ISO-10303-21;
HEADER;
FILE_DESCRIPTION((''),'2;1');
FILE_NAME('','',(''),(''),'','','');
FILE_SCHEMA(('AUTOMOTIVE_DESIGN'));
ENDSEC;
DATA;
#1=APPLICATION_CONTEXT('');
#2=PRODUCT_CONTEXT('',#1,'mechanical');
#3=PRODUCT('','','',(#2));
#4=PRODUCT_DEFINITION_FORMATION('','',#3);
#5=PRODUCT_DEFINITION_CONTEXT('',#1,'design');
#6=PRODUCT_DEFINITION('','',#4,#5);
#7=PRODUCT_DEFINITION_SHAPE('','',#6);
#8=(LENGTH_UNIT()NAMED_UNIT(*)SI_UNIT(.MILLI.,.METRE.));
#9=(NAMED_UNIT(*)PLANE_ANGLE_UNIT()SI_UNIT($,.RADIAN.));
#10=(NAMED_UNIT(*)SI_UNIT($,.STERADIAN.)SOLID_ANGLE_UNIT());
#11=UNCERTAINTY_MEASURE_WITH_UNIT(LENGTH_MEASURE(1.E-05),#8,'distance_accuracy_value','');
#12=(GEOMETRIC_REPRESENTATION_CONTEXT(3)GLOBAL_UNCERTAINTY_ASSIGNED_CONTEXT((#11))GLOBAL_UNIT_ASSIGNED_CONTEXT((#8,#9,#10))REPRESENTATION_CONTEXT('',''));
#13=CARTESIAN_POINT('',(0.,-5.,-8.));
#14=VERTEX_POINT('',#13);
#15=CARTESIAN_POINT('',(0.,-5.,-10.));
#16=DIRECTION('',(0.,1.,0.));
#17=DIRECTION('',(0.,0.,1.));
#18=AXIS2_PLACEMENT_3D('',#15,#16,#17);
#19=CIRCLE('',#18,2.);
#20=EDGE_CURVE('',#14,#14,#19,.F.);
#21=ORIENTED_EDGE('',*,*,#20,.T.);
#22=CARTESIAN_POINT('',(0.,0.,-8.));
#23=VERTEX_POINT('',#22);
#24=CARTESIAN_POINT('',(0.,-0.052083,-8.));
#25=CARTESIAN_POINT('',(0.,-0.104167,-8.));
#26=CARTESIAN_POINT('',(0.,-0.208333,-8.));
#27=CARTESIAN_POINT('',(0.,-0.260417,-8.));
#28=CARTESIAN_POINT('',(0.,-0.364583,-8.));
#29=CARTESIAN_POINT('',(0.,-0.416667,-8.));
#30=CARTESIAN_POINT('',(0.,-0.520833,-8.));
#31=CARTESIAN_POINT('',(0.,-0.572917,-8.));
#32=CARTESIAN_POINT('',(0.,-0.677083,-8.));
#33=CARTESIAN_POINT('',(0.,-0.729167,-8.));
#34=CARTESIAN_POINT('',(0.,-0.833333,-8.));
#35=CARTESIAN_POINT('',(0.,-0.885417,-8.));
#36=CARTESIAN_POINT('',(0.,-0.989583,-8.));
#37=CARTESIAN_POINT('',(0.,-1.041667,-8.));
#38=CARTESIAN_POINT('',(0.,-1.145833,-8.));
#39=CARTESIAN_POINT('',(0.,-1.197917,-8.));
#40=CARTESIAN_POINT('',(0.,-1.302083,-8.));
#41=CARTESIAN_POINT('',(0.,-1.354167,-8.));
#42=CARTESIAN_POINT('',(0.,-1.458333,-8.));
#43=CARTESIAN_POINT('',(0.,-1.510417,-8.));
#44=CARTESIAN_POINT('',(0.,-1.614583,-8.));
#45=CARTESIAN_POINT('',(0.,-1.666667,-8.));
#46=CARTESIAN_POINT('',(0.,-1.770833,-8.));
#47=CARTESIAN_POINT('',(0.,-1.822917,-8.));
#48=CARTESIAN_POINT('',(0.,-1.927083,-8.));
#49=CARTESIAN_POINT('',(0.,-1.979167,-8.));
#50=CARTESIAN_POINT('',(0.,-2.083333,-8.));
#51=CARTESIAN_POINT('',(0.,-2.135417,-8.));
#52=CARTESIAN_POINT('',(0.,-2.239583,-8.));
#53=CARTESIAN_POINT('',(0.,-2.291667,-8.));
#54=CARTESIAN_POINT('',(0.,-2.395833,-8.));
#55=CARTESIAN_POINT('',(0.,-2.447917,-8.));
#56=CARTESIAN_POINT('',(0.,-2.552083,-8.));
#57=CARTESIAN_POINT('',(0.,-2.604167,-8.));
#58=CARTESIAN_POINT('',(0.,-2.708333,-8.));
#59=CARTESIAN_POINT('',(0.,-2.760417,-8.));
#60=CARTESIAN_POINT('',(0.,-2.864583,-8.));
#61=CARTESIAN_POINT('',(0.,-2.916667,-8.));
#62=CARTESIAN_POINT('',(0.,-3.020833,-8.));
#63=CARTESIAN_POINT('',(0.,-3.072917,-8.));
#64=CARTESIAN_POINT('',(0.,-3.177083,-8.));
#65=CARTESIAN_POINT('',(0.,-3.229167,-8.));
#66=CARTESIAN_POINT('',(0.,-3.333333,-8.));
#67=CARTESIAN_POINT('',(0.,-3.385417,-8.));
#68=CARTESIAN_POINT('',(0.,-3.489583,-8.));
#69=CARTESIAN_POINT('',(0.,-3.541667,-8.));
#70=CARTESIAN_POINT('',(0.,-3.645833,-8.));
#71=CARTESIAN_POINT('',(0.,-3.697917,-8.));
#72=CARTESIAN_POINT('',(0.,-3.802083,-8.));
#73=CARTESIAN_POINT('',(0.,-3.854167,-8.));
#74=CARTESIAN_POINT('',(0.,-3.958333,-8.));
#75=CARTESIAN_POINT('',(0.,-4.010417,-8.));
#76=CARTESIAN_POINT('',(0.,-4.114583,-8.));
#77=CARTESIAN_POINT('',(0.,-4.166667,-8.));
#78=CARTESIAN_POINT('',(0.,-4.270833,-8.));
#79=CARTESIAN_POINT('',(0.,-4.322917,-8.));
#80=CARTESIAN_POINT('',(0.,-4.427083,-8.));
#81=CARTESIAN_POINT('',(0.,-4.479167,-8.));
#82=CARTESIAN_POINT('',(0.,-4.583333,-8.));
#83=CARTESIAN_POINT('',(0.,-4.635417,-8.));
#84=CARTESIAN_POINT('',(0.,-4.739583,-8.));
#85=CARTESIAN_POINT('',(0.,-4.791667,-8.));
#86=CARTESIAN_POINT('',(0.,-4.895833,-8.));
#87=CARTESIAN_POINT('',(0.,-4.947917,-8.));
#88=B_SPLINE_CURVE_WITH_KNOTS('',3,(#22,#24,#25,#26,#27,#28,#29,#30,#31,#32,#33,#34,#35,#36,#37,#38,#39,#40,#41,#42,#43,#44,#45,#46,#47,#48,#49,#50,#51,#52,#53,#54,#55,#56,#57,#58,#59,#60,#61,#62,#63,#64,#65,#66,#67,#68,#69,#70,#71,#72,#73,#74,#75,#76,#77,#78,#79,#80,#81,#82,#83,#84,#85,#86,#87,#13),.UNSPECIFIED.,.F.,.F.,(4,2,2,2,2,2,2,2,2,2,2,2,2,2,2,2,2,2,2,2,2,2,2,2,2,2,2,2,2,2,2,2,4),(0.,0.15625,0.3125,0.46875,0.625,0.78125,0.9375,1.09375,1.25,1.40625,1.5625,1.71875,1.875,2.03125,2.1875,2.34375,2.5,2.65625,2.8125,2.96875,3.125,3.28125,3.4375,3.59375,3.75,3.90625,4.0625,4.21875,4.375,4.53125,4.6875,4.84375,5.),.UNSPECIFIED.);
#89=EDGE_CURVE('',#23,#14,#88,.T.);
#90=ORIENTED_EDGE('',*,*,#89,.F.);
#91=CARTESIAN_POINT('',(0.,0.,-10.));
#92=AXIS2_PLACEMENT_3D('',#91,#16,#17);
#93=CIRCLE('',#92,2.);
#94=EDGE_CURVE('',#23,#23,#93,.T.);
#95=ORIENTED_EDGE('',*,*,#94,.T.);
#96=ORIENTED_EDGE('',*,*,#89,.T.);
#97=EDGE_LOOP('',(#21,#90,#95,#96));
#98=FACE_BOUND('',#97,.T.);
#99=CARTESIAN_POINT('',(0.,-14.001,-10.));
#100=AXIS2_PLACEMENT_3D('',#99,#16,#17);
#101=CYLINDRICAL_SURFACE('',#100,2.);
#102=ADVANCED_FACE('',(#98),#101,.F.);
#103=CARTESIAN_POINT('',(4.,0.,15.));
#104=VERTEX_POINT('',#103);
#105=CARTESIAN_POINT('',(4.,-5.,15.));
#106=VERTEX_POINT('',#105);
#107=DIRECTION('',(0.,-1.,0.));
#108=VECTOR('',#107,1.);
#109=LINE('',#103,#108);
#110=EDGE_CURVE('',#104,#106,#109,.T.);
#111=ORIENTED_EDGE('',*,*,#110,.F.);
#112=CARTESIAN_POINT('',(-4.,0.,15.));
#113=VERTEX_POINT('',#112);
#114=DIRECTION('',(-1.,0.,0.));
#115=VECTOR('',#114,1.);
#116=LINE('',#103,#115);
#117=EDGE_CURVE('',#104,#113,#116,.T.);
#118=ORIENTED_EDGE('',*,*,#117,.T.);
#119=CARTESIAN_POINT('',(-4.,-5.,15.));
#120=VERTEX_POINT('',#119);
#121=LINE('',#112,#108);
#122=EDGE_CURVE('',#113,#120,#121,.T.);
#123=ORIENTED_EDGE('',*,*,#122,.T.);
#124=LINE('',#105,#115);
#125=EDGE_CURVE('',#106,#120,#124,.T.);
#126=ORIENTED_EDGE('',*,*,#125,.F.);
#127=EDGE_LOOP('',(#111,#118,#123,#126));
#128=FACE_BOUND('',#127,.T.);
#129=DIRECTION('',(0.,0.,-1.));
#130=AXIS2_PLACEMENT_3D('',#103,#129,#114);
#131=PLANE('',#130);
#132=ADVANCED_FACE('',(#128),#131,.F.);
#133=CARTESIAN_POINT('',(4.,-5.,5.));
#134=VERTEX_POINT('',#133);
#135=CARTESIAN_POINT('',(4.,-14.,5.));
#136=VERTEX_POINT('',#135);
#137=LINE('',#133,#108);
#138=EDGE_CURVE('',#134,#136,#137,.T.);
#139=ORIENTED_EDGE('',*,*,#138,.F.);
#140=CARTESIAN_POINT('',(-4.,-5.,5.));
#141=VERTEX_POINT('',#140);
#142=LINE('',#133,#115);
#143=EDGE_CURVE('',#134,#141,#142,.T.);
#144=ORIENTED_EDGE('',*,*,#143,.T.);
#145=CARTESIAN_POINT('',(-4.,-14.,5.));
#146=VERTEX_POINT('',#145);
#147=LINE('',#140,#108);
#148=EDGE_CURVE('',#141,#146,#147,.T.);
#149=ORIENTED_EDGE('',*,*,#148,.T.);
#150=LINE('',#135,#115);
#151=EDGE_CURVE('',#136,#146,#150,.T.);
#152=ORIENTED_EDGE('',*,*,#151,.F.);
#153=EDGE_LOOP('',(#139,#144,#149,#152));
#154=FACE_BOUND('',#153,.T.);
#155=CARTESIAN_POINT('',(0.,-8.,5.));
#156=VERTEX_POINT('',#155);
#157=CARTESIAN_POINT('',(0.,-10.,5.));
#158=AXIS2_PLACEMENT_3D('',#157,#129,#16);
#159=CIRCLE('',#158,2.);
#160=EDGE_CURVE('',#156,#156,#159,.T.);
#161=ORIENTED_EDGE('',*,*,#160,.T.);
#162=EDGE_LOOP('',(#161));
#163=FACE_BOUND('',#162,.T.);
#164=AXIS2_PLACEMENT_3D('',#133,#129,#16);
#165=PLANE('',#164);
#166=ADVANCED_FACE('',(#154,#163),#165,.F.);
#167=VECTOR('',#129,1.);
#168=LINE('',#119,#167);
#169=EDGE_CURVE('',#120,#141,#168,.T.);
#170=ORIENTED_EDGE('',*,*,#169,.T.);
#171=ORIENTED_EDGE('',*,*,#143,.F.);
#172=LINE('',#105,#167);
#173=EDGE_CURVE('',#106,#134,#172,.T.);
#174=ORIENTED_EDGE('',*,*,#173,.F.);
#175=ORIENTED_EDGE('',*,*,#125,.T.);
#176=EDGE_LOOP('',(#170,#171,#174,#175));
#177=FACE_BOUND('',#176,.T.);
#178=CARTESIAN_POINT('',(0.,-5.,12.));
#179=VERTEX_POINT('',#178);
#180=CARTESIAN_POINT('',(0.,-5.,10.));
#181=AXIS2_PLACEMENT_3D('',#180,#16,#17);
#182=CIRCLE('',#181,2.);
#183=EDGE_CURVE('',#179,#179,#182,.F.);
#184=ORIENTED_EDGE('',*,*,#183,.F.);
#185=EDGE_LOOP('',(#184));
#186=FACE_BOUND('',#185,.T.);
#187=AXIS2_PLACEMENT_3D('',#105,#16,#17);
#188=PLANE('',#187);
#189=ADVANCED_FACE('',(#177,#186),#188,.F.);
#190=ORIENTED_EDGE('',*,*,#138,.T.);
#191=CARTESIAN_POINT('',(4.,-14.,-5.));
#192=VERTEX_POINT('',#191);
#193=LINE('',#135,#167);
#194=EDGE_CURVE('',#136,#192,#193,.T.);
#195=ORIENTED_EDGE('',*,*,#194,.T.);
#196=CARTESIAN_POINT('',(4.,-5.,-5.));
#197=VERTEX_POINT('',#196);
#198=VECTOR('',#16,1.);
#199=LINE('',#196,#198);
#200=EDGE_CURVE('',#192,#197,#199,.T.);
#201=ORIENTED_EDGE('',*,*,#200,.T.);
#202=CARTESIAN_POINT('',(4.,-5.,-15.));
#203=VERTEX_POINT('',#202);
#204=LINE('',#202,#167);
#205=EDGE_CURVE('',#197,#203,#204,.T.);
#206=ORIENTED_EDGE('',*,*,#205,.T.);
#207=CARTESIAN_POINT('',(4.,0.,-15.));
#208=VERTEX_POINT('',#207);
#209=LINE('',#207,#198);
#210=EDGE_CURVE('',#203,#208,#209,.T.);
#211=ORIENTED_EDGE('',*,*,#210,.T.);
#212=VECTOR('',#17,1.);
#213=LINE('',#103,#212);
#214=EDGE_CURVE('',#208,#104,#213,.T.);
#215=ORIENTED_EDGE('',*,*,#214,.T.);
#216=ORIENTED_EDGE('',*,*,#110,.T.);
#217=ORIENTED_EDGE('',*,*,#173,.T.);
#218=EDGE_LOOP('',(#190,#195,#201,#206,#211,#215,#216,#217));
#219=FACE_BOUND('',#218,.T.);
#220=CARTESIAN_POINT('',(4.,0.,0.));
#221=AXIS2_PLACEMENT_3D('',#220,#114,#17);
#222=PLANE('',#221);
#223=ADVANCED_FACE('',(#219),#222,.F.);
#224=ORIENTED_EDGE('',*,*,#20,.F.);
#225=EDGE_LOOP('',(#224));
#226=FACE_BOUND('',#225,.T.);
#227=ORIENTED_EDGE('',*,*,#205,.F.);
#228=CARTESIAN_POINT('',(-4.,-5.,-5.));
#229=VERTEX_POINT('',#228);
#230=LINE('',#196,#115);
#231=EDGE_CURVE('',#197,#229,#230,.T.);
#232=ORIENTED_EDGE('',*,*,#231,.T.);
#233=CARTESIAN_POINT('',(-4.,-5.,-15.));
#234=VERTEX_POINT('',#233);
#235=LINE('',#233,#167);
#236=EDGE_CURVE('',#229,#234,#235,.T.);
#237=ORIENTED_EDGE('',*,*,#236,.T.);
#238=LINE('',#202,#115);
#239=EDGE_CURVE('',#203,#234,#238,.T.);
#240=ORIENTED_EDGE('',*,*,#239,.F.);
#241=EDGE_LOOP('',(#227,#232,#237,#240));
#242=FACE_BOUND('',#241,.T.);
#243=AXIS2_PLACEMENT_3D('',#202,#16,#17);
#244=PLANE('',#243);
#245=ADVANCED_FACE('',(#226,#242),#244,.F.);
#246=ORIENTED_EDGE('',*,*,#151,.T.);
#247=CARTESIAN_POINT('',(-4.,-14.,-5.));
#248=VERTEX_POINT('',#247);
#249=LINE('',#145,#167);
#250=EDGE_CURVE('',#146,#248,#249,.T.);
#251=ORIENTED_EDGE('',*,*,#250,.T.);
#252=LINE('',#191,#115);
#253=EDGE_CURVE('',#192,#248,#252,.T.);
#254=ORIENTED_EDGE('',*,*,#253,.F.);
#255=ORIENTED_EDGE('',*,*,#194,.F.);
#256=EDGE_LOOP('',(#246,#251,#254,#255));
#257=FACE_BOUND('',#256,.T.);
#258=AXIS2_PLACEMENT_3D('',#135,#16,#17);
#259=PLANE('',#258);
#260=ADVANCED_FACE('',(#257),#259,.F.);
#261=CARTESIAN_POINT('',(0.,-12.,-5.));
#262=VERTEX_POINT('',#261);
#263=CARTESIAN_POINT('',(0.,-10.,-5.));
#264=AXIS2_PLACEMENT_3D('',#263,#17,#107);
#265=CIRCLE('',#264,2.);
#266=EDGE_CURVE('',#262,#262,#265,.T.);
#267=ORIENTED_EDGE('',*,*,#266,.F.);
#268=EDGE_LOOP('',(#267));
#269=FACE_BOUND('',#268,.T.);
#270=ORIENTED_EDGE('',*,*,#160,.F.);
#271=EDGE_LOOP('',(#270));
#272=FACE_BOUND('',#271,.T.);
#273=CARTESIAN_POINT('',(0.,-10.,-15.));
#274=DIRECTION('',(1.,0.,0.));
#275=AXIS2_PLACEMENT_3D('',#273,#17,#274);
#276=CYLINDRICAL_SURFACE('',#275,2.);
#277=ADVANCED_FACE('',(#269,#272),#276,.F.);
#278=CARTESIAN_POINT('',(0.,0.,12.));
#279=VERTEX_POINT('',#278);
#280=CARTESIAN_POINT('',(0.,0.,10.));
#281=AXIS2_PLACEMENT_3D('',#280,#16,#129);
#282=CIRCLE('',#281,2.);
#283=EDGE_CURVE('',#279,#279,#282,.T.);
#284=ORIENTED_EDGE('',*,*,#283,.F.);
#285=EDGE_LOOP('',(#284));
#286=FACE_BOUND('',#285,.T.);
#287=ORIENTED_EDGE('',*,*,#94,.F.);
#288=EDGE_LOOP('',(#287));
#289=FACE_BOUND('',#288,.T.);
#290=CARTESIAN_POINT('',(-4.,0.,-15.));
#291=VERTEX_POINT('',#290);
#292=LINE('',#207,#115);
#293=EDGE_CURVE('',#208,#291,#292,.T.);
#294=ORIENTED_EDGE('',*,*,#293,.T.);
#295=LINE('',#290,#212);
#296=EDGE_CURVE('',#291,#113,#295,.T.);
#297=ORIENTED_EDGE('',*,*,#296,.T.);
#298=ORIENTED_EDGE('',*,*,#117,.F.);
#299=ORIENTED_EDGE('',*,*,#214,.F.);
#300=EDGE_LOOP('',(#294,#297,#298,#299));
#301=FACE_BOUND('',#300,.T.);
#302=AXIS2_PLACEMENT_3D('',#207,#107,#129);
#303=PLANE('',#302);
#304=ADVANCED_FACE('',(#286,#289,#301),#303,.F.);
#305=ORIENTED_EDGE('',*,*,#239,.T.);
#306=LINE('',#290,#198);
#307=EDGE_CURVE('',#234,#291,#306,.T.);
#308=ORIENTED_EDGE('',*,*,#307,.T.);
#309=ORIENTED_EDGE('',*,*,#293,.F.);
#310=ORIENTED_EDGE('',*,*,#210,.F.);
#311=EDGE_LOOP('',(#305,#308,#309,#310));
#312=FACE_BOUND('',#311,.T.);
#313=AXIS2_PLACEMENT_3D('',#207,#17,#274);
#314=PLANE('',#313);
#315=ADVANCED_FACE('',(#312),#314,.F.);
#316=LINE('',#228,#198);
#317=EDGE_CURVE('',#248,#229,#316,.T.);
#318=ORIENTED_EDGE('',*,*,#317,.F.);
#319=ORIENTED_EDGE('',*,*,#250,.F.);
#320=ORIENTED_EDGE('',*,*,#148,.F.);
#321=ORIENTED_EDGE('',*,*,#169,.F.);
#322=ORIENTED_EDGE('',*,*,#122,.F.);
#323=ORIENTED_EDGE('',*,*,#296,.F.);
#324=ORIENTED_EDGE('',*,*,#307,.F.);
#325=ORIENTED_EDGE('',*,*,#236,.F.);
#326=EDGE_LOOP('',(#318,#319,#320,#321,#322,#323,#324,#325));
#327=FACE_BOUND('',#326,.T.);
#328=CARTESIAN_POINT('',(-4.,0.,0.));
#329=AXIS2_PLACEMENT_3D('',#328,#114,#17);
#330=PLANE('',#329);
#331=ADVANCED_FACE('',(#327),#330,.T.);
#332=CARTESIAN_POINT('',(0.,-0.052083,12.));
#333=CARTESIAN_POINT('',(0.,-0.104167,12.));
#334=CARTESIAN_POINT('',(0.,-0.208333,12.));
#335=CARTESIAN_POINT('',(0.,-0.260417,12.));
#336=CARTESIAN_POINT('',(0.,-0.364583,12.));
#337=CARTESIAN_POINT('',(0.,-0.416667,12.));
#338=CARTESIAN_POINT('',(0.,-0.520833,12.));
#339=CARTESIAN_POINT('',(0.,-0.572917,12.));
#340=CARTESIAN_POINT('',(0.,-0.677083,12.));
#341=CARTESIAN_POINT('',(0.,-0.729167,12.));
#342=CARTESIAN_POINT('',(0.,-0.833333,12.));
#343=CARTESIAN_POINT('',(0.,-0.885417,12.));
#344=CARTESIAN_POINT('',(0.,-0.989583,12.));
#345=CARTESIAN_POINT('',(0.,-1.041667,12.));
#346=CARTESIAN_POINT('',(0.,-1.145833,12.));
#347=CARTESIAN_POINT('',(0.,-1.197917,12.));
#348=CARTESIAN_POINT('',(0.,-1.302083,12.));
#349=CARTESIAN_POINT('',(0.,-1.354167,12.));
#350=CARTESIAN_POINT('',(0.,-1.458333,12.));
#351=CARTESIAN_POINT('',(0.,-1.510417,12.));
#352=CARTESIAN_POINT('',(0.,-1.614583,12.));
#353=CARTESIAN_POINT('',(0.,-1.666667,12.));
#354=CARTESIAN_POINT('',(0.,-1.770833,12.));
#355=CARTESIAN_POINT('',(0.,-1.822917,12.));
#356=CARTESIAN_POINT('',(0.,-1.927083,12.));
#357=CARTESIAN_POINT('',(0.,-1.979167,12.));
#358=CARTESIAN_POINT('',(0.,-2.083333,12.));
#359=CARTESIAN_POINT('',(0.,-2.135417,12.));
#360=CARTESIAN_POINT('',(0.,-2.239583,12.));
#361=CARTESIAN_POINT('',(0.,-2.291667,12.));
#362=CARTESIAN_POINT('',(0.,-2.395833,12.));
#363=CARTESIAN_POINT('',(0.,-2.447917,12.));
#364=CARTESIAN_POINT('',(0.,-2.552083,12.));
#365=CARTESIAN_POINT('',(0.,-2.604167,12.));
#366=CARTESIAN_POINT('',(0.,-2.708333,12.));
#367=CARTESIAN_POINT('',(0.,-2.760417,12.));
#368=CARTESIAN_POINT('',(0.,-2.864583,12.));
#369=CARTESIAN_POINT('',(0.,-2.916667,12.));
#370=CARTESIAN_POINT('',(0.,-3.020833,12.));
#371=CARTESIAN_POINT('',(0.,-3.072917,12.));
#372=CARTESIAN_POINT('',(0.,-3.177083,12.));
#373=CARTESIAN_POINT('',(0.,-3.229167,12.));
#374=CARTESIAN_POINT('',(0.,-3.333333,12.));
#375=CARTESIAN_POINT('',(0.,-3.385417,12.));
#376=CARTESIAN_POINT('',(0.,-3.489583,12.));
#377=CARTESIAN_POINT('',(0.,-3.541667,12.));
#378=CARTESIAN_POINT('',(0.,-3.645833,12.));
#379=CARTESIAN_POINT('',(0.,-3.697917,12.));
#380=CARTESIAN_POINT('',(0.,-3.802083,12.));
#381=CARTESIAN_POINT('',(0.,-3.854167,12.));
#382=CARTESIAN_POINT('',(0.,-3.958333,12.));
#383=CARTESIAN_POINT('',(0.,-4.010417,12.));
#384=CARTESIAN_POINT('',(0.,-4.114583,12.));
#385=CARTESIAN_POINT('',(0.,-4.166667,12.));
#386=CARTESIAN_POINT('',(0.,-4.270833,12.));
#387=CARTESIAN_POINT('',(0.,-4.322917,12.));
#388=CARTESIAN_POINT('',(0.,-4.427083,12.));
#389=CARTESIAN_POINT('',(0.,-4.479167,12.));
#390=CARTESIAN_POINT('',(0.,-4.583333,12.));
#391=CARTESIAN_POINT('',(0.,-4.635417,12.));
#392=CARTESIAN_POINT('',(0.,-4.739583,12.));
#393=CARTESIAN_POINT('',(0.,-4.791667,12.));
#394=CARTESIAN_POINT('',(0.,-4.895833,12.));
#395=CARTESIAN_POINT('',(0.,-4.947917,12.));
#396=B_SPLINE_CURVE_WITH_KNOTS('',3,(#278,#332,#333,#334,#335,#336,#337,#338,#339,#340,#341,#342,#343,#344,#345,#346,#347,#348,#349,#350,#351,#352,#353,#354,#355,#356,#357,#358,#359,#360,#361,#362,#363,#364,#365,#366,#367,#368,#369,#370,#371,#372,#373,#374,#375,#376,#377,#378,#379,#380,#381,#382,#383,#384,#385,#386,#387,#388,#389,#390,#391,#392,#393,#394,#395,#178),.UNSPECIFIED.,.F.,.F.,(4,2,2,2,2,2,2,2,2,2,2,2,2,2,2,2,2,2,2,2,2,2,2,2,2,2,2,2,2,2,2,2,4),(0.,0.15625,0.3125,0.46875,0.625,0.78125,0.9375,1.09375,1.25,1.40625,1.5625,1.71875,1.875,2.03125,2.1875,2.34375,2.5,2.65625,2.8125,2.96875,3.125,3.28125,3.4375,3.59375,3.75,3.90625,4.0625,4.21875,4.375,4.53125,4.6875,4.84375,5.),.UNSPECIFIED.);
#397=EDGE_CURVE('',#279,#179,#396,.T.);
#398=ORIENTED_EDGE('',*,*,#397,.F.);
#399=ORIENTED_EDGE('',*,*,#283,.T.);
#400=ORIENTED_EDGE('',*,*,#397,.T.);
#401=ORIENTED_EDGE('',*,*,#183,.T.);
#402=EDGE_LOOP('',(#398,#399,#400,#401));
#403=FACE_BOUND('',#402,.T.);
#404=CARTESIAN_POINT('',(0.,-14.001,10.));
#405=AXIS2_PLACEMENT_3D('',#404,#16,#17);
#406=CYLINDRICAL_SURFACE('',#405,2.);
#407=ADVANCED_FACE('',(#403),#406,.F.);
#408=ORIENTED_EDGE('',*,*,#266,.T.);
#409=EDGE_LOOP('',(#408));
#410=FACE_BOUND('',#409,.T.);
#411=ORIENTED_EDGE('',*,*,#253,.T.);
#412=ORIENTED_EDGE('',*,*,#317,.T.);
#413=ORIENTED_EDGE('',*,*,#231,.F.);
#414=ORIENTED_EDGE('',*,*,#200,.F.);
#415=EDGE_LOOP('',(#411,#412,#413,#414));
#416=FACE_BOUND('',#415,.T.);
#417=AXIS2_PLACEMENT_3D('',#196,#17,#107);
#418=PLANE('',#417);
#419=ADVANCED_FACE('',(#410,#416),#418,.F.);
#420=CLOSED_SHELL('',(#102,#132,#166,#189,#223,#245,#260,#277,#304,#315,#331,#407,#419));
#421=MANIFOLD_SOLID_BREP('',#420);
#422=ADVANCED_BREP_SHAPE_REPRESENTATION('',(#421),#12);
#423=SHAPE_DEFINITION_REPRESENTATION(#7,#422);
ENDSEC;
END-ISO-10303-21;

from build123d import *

# Parameters (mm, degrees)
EXTRUDE_1_DEPTH          = 4
CUT_EXTRUDE_1_REACH      = 22.905
SKETCH_2_R               = 2
CUT_EXTRUDE_2_DEPTH      = 21.90454496
CUT_EXTRUDE_2_DEPTH_BACK = 21.90454496
SKETCH_3_R               = 2


with BuildPart() as part:
    # 草图1 → 凸台-拉伸1 (new, symmetric)
    with BuildSketch(Plane(origin=(0, 0, 0), x_dir=(0, 0, -1), z_dir=(1, 0, 0))):
        Polygon((-15, 0), (-15, -5), (-5, -5), (-5, -14), (5, -14), (5, -5), (15, -5), (15, 0), (0, 0), align=None)
    extrude(amount=EXTRUDE_1_DEPTH, both=True)

    # 草图2 → 切除-拉伸1 (cut, up to next)
    with BuildSketch(Plane(origin=(0, 0, 0), x_dir=(1, 0, 0), z_dir=(0, 1, 0)), mode=Mode.PRIVATE) as cut_extrude_1_sk1:
        with Locations(Location((0, 10, 0), (0, 0, 270))):
            Circle(SKETCH_2_R)
    cut_extrude_1_tool1 = extrude(cut_extrude_1_sk1.sketch, amount=-CUT_EXTRUDE_1_REACH, mode=Mode.PRIVATE) & part.part
    # 草图2 → 切除-拉伸1 (cut, up to next)
    with BuildSketch(Plane(origin=(0, 0, 0), x_dir=(1, 0, 0), z_dir=(0, 1, 0)), mode=Mode.PRIVATE) as cut_extrude_1_sk2:
        with Locations(Location((0, -10, 0), (0, 0, 270))):
            Circle(SKETCH_2_R)
    cut_extrude_1_tool2 = extrude(cut_extrude_1_sk2.sketch, amount=-CUT_EXTRUDE_1_REACH, mode=Mode.PRIVATE) & part.part
    add(cut_extrude_1_tool1.solids().sort_by_distance((0, 0, -10))[0], mode=Mode.SUBTRACT)
    add(cut_extrude_1_tool2.solids().sort_by_distance((0, 0, 10))[0], mode=Mode.SUBTRACT)

    # 草图3 → 切除-拉伸2 (cut, two sides: drawn at the far end of the back side and taken through both)
    with BuildSketch(Plane.XY.offset(-CUT_EXTRUDE_2_DEPTH_BACK)):
        with Locations(Location((0, -10, 0), (0, 0, 270))):
            Circle(SKETCH_3_R)
    extrude(amount=CUT_EXTRUDE_2_DEPTH + CUT_EXTRUDE_2_DEPTH_BACK, mode=Mode.SUBTRACT)


solid = part.part
